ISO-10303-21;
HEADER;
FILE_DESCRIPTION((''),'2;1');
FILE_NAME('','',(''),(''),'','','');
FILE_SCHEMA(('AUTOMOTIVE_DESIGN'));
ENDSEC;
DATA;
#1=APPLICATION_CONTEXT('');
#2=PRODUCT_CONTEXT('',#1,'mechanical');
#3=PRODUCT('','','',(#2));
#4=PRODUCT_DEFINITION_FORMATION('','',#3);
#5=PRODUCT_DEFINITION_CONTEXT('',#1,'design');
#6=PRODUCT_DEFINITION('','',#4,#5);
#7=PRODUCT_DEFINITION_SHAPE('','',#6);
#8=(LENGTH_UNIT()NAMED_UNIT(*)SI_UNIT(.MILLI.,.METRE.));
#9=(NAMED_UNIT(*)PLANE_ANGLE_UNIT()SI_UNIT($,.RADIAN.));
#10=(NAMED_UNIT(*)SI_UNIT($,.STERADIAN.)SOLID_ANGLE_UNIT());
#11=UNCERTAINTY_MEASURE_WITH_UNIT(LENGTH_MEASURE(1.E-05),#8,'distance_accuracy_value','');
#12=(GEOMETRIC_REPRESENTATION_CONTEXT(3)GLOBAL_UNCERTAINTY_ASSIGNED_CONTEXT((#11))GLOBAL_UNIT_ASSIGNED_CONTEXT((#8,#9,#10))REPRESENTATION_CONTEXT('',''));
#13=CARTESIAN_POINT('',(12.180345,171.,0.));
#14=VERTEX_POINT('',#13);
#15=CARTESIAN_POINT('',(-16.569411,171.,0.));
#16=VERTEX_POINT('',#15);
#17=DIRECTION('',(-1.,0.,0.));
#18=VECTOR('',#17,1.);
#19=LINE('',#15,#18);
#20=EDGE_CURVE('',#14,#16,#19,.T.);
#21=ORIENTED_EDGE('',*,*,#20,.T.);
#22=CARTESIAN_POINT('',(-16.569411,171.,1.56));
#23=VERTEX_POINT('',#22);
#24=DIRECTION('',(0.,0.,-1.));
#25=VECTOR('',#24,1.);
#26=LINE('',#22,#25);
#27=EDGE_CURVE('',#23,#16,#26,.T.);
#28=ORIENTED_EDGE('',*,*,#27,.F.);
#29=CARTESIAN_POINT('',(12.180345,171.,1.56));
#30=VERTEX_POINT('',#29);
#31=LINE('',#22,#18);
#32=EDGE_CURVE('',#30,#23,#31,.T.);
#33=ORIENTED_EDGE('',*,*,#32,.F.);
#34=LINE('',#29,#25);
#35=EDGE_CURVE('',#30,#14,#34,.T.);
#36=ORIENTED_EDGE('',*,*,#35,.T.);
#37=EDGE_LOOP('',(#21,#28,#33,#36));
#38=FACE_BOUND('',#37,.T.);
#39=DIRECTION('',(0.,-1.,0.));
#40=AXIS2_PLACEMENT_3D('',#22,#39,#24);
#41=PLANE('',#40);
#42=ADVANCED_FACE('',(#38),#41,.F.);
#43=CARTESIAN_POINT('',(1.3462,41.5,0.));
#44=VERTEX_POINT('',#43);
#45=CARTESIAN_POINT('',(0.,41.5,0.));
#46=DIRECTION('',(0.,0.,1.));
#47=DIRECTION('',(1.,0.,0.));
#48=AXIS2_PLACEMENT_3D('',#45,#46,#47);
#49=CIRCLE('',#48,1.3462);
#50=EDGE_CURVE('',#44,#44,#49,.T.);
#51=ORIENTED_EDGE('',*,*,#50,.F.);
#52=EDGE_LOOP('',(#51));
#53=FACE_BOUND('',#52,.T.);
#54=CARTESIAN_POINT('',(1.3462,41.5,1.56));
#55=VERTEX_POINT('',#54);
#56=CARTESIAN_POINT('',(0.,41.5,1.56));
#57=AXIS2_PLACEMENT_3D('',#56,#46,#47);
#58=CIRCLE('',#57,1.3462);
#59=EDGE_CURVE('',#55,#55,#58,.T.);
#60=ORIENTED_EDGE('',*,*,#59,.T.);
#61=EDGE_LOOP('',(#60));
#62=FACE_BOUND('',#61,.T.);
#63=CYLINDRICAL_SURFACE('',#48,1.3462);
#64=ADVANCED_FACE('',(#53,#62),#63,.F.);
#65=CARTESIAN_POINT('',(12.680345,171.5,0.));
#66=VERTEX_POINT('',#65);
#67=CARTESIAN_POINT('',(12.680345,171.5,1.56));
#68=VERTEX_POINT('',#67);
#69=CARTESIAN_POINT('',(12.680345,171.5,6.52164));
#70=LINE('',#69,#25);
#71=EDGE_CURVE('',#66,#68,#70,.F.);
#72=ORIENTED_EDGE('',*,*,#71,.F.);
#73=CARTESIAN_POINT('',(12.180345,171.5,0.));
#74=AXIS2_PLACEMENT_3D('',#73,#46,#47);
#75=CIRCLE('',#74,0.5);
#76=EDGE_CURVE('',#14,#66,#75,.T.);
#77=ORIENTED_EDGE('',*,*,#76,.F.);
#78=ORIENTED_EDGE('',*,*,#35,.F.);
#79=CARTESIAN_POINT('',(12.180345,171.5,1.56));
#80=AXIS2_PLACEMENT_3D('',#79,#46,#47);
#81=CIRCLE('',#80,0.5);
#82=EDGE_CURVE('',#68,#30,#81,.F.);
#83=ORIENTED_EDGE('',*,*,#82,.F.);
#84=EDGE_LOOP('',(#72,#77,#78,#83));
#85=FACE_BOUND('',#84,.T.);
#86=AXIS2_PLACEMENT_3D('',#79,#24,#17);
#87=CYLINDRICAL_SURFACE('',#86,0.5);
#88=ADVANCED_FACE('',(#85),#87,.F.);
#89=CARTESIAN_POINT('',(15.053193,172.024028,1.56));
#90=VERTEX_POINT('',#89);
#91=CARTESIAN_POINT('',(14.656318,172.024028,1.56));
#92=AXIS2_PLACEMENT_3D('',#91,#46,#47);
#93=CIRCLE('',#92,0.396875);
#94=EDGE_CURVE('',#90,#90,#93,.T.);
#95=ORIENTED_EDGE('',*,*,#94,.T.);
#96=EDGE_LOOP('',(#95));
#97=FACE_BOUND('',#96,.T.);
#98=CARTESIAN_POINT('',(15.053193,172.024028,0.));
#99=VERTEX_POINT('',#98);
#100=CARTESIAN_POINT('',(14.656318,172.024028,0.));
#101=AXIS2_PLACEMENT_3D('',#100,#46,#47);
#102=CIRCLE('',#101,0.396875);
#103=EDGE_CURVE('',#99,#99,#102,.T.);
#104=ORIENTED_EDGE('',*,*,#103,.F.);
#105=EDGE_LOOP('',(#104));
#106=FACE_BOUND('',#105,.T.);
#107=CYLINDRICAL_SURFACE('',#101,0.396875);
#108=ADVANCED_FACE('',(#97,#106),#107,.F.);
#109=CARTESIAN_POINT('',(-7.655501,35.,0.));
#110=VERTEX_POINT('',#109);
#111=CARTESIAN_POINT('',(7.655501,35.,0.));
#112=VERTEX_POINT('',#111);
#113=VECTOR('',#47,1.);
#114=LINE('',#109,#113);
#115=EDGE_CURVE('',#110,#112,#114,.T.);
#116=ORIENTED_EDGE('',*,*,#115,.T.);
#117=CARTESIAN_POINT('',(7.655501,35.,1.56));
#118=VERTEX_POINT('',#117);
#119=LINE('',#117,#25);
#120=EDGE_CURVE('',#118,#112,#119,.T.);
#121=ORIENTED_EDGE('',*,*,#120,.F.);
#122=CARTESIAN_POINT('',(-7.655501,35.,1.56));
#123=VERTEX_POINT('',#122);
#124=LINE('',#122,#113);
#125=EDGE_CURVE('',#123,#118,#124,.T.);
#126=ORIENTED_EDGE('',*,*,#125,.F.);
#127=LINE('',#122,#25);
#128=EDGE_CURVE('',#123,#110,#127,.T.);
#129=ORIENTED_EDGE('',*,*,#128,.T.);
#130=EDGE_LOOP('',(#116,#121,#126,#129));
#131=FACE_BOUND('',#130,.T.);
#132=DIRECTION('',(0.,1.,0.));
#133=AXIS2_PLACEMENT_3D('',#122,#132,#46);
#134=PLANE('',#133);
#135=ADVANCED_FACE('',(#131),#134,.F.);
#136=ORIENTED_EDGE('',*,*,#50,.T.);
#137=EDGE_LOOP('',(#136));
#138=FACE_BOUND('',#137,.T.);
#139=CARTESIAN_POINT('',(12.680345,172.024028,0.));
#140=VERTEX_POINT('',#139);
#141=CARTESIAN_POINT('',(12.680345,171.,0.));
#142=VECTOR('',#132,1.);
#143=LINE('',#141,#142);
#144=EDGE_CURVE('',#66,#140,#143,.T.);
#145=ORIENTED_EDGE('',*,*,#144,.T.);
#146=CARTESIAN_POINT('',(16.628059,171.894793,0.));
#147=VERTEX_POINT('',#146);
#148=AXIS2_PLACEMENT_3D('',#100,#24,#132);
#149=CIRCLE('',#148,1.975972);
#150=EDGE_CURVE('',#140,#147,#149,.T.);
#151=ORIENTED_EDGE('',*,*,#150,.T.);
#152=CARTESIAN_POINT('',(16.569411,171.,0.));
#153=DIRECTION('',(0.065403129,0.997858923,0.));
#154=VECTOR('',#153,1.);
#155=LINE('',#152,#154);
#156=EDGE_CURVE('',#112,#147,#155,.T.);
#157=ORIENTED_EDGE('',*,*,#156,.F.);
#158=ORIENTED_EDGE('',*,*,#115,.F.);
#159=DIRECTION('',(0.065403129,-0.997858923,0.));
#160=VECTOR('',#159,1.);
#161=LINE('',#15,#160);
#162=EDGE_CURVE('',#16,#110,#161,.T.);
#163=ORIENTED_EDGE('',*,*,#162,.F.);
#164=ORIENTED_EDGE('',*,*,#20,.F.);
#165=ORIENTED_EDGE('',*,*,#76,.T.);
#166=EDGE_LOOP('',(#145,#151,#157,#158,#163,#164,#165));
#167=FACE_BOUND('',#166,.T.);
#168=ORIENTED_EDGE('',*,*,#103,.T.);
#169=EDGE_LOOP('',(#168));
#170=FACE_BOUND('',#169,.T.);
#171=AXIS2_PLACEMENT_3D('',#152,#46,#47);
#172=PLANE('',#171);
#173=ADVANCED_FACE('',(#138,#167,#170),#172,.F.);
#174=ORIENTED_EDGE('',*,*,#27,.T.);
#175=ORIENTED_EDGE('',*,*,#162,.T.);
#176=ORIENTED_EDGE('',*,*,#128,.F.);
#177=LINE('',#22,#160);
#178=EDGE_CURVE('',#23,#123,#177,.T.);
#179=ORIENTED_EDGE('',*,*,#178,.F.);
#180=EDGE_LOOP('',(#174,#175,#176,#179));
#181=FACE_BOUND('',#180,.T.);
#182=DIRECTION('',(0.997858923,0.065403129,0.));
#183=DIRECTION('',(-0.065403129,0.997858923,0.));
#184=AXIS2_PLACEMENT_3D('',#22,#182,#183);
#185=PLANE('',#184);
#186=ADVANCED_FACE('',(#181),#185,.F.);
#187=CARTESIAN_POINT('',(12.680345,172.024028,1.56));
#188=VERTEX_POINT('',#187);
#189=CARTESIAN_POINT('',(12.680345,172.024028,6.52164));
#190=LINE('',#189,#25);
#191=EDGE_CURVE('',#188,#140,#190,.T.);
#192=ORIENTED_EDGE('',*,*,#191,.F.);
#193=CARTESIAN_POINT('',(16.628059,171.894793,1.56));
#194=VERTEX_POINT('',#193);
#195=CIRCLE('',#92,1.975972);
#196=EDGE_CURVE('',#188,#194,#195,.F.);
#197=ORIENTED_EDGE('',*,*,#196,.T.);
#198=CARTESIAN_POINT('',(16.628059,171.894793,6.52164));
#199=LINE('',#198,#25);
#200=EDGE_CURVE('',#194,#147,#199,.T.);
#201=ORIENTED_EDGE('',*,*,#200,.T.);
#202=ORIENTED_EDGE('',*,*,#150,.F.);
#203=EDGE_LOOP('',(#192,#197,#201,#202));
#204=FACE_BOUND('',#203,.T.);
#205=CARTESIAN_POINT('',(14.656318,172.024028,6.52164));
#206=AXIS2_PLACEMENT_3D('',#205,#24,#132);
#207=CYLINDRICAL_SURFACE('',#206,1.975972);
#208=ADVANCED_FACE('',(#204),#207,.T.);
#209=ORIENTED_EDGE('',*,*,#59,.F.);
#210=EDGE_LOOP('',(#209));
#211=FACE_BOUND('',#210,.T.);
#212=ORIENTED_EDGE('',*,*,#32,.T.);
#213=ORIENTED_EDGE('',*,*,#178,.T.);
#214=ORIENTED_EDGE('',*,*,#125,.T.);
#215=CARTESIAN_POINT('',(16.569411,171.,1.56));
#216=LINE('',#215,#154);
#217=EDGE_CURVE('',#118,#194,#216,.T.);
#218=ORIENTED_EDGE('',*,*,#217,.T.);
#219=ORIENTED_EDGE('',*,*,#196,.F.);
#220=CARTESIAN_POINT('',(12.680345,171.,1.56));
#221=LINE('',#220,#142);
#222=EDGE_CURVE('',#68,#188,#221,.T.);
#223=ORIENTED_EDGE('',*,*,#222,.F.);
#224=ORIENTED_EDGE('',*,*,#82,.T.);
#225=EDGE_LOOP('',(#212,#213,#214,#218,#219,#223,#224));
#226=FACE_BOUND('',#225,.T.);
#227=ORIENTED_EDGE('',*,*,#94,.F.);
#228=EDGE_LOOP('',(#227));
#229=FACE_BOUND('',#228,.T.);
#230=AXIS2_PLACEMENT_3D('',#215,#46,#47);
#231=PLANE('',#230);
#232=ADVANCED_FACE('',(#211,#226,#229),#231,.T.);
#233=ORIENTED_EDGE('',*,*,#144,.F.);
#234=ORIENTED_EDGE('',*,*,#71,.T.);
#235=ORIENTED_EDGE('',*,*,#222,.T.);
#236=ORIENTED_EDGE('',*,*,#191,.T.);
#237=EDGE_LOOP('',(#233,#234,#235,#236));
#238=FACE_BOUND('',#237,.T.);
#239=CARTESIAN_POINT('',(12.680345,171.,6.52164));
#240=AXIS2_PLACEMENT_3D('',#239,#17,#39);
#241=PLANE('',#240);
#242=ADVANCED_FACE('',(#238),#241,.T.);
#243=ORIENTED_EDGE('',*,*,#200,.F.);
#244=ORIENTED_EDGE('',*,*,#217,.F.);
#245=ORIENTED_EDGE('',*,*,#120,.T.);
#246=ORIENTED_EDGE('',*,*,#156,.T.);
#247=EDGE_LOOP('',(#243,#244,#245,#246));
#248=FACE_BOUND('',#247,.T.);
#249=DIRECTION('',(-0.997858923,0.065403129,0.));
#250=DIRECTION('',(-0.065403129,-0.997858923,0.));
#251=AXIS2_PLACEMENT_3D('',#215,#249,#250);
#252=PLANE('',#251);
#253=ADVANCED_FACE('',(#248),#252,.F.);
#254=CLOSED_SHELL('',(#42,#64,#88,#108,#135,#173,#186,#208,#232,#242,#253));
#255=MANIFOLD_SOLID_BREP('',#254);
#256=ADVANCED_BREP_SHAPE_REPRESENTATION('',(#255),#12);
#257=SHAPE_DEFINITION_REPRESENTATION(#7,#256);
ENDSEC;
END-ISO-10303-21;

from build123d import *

# Parameters (mm, degrees)
EXTRUDE1_DEPTH     = 1.56
SKETCH2_R          = 1.3462
CUT_EXTRUDE2_DEPTH = 2.56
EXTRUDE2_DEPTH     = 1.56
FILLET1_R          = 0.5
SKETCH5_R          = 0.396875
EXTRUDE3_DEPTH     = 2.56


with BuildPart() as part:
    # Sketch1 → Extrude1 (new body)
    with BuildSketch(Plane.XY):
        Polygon((-7.655500537, 35), (7.655500537, 35), (16.56941148, 171), (-16.56941148, 171), align=None)
    extrude(amount=EXTRUDE1_DEPTH)

    # Sketch2 → Cut-Extrude2 (cut, through all)
    with BuildSketch(Plane(origin=(2.513247729, -24.95744912, 1.56), x_dir=(1, 0, 0), z_dir=(0, 0, 1))):
        with Locations((-2.513247729, 66.45744912)):
            Circle(SKETCH2_R)
    extrude(amount=-CUT_EXTRUDE2_DEPTH, mode=Mode.SUBTRACT)

    # Sketch4 → Extrude2 (add)
    with BuildSketch(Plane(origin=(0, 0, 0), x_dir=(-1, 0, 0), z_dir=(0, 0, -1))):
        with BuildLine():
            Line((-16.56941148, 171), (-16.628059301, 171.894792828))
            ThreePointArc((-16.628059301, 171.894792828), (-14.720969619, 173.99894204), (-12.68034522, 172.024027605))
            Line((-12.68034522, 172.024027605), (-12.68034522, 171))
            Line((-12.68034522, 171), (-16.56941148, 171))
        make_face()
    extrude(amount=-EXTRUDE2_DEPTH)

    # Fillet1
    fillet1_edges = [part.edges().sort_by_distance(p)[0] for p in [
        (12.68034522, 171, 0.78),
    ]]
    fillet(fillet1_edges, radius=FILLET1_R)

    # Sketch5 → Extrude3 (cut, through all)
    with BuildSketch(Plane.XY.offset(1.56)):
        with Locations((14.656317615, 172.024027605)):
            Circle(SKETCH5_R)
    extrude(amount=-EXTRUDE3_DEPTH, mode=Mode.SUBTRACT)


solid = part.part
